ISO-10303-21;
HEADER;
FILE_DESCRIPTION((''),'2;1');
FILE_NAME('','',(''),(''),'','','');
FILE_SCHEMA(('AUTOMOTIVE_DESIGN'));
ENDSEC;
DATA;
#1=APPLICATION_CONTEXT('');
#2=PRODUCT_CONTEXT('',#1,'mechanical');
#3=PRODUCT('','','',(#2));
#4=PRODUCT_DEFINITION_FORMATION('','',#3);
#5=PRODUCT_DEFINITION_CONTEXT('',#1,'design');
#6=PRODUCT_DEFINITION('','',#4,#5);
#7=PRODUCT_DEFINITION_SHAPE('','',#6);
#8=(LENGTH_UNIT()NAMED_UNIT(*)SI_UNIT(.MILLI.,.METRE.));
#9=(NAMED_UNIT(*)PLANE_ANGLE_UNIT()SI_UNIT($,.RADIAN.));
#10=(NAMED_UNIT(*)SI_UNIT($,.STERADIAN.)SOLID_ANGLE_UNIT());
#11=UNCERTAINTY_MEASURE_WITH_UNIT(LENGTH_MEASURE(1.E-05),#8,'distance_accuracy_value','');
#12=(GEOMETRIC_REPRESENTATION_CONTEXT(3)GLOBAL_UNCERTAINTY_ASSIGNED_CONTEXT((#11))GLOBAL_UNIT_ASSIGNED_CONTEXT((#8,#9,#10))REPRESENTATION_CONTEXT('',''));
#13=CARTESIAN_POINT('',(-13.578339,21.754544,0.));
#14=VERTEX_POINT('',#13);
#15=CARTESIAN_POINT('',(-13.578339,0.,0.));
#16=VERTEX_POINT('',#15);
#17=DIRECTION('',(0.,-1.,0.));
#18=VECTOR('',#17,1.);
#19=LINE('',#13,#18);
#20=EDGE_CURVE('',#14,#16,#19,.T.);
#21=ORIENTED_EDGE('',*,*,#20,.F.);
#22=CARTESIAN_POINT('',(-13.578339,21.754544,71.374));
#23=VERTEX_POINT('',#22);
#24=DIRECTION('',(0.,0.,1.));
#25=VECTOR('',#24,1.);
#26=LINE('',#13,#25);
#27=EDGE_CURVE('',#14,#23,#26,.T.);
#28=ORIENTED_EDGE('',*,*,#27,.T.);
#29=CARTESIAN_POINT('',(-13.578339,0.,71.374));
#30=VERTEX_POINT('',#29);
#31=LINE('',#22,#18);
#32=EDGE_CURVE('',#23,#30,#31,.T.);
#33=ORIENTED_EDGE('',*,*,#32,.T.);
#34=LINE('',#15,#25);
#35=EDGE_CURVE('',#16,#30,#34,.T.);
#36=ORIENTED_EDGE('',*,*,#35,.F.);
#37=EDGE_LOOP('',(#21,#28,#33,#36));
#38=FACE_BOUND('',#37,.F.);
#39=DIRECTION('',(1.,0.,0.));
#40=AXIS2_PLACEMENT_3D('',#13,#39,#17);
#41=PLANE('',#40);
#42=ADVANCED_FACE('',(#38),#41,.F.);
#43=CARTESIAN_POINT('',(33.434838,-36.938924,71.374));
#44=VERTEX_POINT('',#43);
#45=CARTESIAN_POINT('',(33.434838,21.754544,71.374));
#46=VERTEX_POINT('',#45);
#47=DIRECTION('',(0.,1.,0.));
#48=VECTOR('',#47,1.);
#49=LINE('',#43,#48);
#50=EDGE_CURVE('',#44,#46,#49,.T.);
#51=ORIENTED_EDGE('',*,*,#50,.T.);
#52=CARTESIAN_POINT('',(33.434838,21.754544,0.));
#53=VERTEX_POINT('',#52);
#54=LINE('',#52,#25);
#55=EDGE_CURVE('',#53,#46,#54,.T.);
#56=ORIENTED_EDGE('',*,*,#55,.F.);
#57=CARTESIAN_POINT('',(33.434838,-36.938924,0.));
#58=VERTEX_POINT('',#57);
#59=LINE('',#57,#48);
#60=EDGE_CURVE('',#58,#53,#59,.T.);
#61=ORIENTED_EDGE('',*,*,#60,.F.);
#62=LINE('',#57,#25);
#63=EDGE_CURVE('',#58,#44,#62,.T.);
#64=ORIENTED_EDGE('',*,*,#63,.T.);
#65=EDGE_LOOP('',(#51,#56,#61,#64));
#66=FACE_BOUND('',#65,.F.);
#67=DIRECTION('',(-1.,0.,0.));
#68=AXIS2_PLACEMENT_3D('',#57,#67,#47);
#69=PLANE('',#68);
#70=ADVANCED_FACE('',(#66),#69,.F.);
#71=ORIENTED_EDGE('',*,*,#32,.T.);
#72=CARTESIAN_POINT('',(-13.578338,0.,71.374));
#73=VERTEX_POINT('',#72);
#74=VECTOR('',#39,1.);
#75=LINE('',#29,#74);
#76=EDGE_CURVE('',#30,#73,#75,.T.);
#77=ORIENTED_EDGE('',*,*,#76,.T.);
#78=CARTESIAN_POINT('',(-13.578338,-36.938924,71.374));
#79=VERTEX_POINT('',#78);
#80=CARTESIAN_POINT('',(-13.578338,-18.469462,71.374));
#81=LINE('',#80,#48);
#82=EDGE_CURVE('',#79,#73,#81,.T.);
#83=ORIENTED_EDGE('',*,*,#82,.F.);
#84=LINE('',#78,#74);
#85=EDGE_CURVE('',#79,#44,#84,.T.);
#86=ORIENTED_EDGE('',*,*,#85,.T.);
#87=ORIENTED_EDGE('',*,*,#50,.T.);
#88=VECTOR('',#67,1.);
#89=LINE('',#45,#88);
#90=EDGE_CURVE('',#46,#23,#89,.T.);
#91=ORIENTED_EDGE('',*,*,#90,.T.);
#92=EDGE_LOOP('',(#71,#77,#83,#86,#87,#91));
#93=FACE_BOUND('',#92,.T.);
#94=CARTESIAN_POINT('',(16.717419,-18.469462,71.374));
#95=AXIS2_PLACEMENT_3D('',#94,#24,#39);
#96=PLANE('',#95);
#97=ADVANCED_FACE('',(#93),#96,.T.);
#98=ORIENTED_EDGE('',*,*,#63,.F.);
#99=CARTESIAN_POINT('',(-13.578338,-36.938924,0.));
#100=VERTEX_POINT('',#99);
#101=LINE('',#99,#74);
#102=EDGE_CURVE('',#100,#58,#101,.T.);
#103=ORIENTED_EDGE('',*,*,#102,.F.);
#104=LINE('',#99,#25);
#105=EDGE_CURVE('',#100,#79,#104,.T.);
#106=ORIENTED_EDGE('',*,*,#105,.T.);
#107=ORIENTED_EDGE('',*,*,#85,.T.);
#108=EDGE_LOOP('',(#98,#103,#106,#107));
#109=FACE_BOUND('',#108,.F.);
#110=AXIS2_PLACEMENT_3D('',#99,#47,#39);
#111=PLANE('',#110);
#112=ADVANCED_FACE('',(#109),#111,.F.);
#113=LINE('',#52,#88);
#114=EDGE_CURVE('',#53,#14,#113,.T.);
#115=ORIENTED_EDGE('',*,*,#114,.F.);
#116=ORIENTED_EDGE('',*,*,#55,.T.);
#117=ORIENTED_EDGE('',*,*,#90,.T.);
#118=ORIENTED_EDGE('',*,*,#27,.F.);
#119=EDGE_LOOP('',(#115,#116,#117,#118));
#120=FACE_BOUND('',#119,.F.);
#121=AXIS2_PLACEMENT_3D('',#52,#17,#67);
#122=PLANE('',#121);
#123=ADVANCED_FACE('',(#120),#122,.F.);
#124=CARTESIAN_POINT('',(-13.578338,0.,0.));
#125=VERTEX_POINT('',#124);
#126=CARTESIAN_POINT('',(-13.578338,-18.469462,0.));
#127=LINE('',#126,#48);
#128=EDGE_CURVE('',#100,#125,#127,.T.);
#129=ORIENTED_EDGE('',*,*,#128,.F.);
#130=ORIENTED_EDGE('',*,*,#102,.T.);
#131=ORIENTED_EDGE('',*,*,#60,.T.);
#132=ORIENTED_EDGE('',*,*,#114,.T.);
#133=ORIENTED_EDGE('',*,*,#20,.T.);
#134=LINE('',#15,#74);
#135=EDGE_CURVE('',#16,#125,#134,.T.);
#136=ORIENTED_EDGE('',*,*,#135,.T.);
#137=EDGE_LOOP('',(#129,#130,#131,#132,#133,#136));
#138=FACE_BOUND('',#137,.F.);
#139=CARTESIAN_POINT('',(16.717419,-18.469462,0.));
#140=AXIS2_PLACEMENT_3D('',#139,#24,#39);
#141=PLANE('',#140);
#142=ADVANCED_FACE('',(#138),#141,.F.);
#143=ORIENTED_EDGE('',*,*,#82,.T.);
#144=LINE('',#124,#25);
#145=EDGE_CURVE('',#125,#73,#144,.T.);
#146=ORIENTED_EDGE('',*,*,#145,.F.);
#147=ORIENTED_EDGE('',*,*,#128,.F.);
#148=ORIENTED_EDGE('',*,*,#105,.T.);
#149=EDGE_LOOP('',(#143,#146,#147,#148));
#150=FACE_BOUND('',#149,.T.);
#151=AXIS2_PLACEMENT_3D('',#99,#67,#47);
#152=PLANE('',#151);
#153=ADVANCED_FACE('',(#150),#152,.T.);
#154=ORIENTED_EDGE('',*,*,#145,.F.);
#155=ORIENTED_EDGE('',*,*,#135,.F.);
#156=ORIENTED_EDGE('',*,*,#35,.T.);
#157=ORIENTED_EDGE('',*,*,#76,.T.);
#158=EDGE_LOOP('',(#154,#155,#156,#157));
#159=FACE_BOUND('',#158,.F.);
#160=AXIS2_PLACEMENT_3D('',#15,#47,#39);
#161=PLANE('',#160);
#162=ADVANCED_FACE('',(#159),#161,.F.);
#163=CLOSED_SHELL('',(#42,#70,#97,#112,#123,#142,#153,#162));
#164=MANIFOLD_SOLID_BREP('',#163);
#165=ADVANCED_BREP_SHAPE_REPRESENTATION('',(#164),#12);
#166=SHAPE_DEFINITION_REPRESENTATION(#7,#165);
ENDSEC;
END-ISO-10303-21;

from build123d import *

# Parameters (mm, degrees)
F0_W     = 33.434838
F0_H     = 36.938924
F0_W_2   = 13.578339
F1_DEPTH = 71.374


with BuildPart() as f1:
    # F0 (on Top) → F1 (new body)
    with BuildSketch(Plane.XY):
        with Locations((16.717419, -18.469462)):
            Rectangle(F0_W, F0_H)
        with Locations((-6.789169, -18.469462)):
            Rectangle(F0_W_2, F0_H)
        Polygon((-13.578339, 0), (0, 0), (33.434838, 0), (33.434838, 21.754544), (-13.578339, 21.754544), align=None)
    extrude(amount=F1_DEPTH)


solid = f1.part
